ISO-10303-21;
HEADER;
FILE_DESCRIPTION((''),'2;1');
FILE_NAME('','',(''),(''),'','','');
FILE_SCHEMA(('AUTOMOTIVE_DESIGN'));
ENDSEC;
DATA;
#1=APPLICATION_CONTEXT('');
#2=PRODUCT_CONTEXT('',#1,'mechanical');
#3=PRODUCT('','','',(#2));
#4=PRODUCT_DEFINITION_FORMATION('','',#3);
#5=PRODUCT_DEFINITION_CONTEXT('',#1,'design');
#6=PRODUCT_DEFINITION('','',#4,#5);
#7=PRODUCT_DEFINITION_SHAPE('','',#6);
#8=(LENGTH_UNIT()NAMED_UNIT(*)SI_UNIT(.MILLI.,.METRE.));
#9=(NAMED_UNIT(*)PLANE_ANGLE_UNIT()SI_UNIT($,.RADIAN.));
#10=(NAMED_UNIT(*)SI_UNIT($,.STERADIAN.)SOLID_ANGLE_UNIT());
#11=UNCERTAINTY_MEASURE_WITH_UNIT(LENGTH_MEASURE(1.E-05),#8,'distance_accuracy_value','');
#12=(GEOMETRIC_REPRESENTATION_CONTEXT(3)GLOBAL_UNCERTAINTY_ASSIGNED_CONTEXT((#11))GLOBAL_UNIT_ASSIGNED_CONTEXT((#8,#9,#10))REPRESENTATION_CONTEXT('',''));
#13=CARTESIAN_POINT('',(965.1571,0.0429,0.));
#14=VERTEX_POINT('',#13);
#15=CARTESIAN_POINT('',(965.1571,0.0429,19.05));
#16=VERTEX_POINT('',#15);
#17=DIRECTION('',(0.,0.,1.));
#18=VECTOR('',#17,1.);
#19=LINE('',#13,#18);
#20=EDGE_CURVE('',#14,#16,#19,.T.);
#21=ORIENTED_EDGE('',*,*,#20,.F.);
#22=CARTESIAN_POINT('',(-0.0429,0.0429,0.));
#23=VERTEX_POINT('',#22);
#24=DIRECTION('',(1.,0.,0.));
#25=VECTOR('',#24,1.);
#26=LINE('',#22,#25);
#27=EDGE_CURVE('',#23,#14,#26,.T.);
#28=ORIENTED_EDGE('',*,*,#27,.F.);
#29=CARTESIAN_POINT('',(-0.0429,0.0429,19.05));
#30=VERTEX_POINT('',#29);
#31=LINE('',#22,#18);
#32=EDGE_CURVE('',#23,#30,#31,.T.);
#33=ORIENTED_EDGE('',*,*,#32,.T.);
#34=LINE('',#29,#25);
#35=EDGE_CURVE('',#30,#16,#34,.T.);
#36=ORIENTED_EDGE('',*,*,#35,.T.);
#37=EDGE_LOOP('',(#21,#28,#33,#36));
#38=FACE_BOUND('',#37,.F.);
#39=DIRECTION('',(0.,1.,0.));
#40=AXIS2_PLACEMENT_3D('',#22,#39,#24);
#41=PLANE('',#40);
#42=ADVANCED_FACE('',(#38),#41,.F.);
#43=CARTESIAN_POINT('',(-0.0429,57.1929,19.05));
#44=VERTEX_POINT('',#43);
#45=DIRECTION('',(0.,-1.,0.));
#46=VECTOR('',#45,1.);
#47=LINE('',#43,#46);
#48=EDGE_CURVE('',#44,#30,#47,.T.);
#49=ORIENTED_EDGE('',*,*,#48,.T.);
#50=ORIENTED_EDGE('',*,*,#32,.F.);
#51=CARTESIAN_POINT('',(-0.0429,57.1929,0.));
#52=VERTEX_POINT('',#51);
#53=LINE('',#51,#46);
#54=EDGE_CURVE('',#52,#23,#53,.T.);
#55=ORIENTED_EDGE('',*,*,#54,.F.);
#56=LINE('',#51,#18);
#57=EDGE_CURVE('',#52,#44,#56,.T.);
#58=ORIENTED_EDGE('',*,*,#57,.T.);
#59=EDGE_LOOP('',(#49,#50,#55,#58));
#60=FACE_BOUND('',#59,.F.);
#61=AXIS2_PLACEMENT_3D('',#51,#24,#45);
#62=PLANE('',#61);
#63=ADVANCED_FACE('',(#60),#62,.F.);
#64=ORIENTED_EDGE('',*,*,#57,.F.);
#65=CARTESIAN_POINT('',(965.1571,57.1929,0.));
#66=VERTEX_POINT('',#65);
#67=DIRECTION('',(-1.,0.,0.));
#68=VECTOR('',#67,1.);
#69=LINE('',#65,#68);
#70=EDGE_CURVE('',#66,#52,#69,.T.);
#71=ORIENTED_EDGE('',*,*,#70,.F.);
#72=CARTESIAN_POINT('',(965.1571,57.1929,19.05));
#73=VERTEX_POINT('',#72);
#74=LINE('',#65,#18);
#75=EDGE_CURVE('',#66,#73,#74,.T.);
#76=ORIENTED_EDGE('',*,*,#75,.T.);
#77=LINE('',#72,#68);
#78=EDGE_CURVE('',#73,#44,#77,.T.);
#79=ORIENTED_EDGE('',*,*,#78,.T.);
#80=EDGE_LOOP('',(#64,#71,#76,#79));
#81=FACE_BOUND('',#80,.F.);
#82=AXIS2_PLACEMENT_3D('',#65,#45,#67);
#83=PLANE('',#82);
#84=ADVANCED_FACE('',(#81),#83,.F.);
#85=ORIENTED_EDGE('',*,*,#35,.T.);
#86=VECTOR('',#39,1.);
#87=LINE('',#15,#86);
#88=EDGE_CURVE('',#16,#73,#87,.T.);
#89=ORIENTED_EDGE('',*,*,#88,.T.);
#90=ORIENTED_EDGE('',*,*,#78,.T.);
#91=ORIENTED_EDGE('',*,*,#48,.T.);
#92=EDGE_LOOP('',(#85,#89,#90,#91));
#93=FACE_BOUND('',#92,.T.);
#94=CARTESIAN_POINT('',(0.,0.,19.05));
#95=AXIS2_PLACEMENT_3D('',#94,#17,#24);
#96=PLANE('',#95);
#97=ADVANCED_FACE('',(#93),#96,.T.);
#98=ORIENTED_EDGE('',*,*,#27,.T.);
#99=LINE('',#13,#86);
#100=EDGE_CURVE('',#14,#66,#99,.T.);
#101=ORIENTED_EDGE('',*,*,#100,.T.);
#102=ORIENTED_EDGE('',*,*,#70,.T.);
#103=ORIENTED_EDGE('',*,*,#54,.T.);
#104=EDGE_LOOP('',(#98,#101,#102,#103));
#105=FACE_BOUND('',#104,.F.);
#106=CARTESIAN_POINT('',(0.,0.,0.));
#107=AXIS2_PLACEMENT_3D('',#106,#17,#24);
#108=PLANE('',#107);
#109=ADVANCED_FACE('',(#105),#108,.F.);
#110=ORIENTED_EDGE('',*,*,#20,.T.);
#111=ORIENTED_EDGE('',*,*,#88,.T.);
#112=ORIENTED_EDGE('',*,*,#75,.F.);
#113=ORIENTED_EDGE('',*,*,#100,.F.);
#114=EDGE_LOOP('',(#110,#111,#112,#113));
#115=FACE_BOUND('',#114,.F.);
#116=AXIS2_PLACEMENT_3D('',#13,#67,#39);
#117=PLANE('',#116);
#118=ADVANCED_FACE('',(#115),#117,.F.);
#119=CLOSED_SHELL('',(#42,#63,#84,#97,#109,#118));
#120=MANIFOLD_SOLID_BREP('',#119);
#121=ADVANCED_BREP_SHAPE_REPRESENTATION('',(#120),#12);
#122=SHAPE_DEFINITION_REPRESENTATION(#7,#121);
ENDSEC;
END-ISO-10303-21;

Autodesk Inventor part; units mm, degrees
ref_plane "YZ Plane" through (0, 0, 0) normal (1, 0, 0) x (0, 1, 0)
ref_plane "XZ Plane" through (0, 0, 0) normal (0, 1, 0) x (-1, 0, 0)
ref_plane "XY Plane" through (0, 0, 0) normal (0, 0, 1) x (1, 0, 0)
sketch "Sketch1" plane through (0, 0, 0) normal (0, 0, 1) x (1, 0, 0)
  line L0 (965.1571, 57.1929) -> (-0.0429, 57.1929)
  line L1 (965.1571, 57.1929) -> (-0.0429, 57.1929)
  line L2 (-0.0429, 57.1929) -> (-0.0429, 0.0429)
  line L3 (-0.0429, 0.0429) -> (965.1571, 0.0429)
  line L4 (965.1571, 0.0429) -> (965.1571, 57.1929)
  point P0 (0, 0)
extrude "Extrusion1" add sketch "Sketch1" along normal blind 19.05
properties part number "nd-5"
